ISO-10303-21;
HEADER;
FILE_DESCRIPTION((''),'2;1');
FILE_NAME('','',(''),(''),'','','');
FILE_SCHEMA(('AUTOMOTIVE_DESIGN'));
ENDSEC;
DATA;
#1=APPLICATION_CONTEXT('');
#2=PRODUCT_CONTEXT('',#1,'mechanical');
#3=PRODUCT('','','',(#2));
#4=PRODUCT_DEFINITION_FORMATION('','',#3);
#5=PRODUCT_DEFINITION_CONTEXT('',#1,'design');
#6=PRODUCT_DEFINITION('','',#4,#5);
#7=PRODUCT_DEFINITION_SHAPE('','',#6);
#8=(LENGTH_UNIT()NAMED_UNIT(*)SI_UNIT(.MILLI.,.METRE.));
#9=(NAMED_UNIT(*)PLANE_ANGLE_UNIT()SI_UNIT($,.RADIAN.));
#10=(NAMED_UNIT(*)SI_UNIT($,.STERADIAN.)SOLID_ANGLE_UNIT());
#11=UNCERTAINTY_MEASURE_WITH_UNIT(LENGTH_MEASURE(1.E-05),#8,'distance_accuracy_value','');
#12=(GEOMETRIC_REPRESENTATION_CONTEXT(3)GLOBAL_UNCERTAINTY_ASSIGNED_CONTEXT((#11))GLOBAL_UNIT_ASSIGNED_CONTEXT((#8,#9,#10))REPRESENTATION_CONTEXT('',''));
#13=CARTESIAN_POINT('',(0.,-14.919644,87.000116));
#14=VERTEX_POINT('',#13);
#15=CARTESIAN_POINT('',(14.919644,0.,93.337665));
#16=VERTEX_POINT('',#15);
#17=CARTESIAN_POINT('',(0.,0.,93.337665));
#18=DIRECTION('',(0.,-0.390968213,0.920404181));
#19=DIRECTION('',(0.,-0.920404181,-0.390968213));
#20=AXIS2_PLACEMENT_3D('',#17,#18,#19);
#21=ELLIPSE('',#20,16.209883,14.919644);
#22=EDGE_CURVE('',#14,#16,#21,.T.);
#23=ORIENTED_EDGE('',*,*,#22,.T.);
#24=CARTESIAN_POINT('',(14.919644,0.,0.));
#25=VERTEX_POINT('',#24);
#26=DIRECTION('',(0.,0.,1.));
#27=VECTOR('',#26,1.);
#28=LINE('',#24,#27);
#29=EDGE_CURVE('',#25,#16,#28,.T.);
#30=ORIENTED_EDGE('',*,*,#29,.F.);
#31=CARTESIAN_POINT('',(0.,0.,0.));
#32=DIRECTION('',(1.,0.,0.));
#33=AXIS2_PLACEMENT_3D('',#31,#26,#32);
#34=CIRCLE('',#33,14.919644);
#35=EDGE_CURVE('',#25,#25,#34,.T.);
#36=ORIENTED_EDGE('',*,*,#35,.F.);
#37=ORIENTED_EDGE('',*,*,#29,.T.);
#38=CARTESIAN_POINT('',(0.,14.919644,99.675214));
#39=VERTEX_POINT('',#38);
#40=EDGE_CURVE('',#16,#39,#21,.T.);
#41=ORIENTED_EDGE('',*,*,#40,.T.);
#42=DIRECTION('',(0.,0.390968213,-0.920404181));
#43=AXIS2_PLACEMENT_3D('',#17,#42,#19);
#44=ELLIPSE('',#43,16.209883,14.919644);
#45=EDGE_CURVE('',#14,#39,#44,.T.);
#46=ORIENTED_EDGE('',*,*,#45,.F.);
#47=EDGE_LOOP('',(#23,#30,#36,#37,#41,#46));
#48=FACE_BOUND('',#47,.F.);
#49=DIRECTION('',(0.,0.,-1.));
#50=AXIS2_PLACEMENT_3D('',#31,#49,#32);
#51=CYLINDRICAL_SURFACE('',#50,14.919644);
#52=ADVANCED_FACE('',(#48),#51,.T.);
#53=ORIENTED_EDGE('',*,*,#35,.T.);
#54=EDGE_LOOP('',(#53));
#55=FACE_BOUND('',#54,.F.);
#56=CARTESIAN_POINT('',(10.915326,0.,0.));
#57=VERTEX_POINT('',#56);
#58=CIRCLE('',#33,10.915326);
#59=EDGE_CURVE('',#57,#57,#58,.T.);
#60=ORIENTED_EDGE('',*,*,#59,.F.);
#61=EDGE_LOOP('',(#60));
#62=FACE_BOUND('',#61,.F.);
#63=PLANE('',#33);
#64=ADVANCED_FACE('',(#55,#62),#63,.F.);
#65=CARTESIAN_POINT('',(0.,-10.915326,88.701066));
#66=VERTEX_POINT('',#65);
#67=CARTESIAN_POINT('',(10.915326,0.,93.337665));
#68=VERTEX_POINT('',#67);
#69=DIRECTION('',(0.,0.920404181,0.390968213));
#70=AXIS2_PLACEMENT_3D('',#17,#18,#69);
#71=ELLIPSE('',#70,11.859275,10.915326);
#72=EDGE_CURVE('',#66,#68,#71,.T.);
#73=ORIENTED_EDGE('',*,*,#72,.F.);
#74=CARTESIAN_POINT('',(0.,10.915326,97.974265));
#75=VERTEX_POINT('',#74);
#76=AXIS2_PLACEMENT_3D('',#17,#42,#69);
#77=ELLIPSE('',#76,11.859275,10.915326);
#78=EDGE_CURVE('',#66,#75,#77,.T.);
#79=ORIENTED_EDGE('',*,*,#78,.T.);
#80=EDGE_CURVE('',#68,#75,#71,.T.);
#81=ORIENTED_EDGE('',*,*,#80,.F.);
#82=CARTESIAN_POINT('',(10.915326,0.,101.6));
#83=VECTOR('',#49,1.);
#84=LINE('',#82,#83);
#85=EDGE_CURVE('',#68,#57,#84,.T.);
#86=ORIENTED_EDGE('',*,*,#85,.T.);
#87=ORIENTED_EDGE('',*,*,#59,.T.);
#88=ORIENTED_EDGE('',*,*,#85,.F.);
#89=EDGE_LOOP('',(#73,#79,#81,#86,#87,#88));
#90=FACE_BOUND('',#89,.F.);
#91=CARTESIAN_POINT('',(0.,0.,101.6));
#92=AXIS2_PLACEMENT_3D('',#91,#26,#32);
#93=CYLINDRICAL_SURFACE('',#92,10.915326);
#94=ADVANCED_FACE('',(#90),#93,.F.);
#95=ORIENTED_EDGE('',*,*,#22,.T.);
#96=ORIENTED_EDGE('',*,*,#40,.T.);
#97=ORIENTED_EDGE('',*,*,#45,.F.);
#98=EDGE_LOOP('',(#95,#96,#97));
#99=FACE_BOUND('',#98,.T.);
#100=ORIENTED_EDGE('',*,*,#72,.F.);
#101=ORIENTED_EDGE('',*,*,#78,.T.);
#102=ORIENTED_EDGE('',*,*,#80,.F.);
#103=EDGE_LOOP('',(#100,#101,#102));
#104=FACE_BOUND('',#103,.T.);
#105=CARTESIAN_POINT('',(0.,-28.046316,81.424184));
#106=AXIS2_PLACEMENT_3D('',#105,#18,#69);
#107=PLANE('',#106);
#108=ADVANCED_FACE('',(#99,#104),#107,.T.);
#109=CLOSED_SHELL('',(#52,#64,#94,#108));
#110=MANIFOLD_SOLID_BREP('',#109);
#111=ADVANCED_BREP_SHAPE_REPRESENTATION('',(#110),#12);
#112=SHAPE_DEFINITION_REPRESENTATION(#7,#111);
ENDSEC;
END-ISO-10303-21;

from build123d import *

# Parameters (mm, degrees)
F0_R     = 14.919644
F1_DEPTH = 101.6
F2_R     = 10.915326
F3_DEPTH = 127
F5_DEPTH = 152.4
F6_DEPTH = 152.4
F7_DEPTH = 81.026


with BuildPart() as f1:
    # F0 (on Top) → F1 (new body)
    with BuildSketch(Plane.XY):
        Circle(F0_R)
    extrude(amount=F1_DEPTH)

    # F2 (on face) → F3 (cut)
    with BuildSketch(Plane.XY.offset(101.6)):
        Circle(F2_R)
    extrude(amount=-F3_DEPTH, mode=Mode.SUBTRACT)

    # F4 (on Right) → F5 (cut)
    with BuildSketch(Plane.YZ):
        Polygon((-28.046316, 81.424184), (20.338934, 101.977214), (-28.046316, 101.977214), align=None)
    extrude(amount=-F5_DEPTH, mode=Mode.SUBTRACT)

    # F4 (on Right) → F6 (cut)
    with BuildSketch(Plane.YZ):
        Polygon((-28.046316, 81.424184), (20.338934, 101.977214), (-28.046316, 101.977214), align=None)
    extrude(amount=-F6_DEPTH, mode=Mode.SUBTRACT)

    # F4 (on Right) → F7 (cut)
    with BuildSketch(Plane.YZ):
        Polygon((-28.046316, 81.424184), (20.338934, 101.977214), (-28.046316, 101.977214), align=None)
    extrude(amount=F7_DEPTH, mode=Mode.SUBTRACT)


solid = f1.part
